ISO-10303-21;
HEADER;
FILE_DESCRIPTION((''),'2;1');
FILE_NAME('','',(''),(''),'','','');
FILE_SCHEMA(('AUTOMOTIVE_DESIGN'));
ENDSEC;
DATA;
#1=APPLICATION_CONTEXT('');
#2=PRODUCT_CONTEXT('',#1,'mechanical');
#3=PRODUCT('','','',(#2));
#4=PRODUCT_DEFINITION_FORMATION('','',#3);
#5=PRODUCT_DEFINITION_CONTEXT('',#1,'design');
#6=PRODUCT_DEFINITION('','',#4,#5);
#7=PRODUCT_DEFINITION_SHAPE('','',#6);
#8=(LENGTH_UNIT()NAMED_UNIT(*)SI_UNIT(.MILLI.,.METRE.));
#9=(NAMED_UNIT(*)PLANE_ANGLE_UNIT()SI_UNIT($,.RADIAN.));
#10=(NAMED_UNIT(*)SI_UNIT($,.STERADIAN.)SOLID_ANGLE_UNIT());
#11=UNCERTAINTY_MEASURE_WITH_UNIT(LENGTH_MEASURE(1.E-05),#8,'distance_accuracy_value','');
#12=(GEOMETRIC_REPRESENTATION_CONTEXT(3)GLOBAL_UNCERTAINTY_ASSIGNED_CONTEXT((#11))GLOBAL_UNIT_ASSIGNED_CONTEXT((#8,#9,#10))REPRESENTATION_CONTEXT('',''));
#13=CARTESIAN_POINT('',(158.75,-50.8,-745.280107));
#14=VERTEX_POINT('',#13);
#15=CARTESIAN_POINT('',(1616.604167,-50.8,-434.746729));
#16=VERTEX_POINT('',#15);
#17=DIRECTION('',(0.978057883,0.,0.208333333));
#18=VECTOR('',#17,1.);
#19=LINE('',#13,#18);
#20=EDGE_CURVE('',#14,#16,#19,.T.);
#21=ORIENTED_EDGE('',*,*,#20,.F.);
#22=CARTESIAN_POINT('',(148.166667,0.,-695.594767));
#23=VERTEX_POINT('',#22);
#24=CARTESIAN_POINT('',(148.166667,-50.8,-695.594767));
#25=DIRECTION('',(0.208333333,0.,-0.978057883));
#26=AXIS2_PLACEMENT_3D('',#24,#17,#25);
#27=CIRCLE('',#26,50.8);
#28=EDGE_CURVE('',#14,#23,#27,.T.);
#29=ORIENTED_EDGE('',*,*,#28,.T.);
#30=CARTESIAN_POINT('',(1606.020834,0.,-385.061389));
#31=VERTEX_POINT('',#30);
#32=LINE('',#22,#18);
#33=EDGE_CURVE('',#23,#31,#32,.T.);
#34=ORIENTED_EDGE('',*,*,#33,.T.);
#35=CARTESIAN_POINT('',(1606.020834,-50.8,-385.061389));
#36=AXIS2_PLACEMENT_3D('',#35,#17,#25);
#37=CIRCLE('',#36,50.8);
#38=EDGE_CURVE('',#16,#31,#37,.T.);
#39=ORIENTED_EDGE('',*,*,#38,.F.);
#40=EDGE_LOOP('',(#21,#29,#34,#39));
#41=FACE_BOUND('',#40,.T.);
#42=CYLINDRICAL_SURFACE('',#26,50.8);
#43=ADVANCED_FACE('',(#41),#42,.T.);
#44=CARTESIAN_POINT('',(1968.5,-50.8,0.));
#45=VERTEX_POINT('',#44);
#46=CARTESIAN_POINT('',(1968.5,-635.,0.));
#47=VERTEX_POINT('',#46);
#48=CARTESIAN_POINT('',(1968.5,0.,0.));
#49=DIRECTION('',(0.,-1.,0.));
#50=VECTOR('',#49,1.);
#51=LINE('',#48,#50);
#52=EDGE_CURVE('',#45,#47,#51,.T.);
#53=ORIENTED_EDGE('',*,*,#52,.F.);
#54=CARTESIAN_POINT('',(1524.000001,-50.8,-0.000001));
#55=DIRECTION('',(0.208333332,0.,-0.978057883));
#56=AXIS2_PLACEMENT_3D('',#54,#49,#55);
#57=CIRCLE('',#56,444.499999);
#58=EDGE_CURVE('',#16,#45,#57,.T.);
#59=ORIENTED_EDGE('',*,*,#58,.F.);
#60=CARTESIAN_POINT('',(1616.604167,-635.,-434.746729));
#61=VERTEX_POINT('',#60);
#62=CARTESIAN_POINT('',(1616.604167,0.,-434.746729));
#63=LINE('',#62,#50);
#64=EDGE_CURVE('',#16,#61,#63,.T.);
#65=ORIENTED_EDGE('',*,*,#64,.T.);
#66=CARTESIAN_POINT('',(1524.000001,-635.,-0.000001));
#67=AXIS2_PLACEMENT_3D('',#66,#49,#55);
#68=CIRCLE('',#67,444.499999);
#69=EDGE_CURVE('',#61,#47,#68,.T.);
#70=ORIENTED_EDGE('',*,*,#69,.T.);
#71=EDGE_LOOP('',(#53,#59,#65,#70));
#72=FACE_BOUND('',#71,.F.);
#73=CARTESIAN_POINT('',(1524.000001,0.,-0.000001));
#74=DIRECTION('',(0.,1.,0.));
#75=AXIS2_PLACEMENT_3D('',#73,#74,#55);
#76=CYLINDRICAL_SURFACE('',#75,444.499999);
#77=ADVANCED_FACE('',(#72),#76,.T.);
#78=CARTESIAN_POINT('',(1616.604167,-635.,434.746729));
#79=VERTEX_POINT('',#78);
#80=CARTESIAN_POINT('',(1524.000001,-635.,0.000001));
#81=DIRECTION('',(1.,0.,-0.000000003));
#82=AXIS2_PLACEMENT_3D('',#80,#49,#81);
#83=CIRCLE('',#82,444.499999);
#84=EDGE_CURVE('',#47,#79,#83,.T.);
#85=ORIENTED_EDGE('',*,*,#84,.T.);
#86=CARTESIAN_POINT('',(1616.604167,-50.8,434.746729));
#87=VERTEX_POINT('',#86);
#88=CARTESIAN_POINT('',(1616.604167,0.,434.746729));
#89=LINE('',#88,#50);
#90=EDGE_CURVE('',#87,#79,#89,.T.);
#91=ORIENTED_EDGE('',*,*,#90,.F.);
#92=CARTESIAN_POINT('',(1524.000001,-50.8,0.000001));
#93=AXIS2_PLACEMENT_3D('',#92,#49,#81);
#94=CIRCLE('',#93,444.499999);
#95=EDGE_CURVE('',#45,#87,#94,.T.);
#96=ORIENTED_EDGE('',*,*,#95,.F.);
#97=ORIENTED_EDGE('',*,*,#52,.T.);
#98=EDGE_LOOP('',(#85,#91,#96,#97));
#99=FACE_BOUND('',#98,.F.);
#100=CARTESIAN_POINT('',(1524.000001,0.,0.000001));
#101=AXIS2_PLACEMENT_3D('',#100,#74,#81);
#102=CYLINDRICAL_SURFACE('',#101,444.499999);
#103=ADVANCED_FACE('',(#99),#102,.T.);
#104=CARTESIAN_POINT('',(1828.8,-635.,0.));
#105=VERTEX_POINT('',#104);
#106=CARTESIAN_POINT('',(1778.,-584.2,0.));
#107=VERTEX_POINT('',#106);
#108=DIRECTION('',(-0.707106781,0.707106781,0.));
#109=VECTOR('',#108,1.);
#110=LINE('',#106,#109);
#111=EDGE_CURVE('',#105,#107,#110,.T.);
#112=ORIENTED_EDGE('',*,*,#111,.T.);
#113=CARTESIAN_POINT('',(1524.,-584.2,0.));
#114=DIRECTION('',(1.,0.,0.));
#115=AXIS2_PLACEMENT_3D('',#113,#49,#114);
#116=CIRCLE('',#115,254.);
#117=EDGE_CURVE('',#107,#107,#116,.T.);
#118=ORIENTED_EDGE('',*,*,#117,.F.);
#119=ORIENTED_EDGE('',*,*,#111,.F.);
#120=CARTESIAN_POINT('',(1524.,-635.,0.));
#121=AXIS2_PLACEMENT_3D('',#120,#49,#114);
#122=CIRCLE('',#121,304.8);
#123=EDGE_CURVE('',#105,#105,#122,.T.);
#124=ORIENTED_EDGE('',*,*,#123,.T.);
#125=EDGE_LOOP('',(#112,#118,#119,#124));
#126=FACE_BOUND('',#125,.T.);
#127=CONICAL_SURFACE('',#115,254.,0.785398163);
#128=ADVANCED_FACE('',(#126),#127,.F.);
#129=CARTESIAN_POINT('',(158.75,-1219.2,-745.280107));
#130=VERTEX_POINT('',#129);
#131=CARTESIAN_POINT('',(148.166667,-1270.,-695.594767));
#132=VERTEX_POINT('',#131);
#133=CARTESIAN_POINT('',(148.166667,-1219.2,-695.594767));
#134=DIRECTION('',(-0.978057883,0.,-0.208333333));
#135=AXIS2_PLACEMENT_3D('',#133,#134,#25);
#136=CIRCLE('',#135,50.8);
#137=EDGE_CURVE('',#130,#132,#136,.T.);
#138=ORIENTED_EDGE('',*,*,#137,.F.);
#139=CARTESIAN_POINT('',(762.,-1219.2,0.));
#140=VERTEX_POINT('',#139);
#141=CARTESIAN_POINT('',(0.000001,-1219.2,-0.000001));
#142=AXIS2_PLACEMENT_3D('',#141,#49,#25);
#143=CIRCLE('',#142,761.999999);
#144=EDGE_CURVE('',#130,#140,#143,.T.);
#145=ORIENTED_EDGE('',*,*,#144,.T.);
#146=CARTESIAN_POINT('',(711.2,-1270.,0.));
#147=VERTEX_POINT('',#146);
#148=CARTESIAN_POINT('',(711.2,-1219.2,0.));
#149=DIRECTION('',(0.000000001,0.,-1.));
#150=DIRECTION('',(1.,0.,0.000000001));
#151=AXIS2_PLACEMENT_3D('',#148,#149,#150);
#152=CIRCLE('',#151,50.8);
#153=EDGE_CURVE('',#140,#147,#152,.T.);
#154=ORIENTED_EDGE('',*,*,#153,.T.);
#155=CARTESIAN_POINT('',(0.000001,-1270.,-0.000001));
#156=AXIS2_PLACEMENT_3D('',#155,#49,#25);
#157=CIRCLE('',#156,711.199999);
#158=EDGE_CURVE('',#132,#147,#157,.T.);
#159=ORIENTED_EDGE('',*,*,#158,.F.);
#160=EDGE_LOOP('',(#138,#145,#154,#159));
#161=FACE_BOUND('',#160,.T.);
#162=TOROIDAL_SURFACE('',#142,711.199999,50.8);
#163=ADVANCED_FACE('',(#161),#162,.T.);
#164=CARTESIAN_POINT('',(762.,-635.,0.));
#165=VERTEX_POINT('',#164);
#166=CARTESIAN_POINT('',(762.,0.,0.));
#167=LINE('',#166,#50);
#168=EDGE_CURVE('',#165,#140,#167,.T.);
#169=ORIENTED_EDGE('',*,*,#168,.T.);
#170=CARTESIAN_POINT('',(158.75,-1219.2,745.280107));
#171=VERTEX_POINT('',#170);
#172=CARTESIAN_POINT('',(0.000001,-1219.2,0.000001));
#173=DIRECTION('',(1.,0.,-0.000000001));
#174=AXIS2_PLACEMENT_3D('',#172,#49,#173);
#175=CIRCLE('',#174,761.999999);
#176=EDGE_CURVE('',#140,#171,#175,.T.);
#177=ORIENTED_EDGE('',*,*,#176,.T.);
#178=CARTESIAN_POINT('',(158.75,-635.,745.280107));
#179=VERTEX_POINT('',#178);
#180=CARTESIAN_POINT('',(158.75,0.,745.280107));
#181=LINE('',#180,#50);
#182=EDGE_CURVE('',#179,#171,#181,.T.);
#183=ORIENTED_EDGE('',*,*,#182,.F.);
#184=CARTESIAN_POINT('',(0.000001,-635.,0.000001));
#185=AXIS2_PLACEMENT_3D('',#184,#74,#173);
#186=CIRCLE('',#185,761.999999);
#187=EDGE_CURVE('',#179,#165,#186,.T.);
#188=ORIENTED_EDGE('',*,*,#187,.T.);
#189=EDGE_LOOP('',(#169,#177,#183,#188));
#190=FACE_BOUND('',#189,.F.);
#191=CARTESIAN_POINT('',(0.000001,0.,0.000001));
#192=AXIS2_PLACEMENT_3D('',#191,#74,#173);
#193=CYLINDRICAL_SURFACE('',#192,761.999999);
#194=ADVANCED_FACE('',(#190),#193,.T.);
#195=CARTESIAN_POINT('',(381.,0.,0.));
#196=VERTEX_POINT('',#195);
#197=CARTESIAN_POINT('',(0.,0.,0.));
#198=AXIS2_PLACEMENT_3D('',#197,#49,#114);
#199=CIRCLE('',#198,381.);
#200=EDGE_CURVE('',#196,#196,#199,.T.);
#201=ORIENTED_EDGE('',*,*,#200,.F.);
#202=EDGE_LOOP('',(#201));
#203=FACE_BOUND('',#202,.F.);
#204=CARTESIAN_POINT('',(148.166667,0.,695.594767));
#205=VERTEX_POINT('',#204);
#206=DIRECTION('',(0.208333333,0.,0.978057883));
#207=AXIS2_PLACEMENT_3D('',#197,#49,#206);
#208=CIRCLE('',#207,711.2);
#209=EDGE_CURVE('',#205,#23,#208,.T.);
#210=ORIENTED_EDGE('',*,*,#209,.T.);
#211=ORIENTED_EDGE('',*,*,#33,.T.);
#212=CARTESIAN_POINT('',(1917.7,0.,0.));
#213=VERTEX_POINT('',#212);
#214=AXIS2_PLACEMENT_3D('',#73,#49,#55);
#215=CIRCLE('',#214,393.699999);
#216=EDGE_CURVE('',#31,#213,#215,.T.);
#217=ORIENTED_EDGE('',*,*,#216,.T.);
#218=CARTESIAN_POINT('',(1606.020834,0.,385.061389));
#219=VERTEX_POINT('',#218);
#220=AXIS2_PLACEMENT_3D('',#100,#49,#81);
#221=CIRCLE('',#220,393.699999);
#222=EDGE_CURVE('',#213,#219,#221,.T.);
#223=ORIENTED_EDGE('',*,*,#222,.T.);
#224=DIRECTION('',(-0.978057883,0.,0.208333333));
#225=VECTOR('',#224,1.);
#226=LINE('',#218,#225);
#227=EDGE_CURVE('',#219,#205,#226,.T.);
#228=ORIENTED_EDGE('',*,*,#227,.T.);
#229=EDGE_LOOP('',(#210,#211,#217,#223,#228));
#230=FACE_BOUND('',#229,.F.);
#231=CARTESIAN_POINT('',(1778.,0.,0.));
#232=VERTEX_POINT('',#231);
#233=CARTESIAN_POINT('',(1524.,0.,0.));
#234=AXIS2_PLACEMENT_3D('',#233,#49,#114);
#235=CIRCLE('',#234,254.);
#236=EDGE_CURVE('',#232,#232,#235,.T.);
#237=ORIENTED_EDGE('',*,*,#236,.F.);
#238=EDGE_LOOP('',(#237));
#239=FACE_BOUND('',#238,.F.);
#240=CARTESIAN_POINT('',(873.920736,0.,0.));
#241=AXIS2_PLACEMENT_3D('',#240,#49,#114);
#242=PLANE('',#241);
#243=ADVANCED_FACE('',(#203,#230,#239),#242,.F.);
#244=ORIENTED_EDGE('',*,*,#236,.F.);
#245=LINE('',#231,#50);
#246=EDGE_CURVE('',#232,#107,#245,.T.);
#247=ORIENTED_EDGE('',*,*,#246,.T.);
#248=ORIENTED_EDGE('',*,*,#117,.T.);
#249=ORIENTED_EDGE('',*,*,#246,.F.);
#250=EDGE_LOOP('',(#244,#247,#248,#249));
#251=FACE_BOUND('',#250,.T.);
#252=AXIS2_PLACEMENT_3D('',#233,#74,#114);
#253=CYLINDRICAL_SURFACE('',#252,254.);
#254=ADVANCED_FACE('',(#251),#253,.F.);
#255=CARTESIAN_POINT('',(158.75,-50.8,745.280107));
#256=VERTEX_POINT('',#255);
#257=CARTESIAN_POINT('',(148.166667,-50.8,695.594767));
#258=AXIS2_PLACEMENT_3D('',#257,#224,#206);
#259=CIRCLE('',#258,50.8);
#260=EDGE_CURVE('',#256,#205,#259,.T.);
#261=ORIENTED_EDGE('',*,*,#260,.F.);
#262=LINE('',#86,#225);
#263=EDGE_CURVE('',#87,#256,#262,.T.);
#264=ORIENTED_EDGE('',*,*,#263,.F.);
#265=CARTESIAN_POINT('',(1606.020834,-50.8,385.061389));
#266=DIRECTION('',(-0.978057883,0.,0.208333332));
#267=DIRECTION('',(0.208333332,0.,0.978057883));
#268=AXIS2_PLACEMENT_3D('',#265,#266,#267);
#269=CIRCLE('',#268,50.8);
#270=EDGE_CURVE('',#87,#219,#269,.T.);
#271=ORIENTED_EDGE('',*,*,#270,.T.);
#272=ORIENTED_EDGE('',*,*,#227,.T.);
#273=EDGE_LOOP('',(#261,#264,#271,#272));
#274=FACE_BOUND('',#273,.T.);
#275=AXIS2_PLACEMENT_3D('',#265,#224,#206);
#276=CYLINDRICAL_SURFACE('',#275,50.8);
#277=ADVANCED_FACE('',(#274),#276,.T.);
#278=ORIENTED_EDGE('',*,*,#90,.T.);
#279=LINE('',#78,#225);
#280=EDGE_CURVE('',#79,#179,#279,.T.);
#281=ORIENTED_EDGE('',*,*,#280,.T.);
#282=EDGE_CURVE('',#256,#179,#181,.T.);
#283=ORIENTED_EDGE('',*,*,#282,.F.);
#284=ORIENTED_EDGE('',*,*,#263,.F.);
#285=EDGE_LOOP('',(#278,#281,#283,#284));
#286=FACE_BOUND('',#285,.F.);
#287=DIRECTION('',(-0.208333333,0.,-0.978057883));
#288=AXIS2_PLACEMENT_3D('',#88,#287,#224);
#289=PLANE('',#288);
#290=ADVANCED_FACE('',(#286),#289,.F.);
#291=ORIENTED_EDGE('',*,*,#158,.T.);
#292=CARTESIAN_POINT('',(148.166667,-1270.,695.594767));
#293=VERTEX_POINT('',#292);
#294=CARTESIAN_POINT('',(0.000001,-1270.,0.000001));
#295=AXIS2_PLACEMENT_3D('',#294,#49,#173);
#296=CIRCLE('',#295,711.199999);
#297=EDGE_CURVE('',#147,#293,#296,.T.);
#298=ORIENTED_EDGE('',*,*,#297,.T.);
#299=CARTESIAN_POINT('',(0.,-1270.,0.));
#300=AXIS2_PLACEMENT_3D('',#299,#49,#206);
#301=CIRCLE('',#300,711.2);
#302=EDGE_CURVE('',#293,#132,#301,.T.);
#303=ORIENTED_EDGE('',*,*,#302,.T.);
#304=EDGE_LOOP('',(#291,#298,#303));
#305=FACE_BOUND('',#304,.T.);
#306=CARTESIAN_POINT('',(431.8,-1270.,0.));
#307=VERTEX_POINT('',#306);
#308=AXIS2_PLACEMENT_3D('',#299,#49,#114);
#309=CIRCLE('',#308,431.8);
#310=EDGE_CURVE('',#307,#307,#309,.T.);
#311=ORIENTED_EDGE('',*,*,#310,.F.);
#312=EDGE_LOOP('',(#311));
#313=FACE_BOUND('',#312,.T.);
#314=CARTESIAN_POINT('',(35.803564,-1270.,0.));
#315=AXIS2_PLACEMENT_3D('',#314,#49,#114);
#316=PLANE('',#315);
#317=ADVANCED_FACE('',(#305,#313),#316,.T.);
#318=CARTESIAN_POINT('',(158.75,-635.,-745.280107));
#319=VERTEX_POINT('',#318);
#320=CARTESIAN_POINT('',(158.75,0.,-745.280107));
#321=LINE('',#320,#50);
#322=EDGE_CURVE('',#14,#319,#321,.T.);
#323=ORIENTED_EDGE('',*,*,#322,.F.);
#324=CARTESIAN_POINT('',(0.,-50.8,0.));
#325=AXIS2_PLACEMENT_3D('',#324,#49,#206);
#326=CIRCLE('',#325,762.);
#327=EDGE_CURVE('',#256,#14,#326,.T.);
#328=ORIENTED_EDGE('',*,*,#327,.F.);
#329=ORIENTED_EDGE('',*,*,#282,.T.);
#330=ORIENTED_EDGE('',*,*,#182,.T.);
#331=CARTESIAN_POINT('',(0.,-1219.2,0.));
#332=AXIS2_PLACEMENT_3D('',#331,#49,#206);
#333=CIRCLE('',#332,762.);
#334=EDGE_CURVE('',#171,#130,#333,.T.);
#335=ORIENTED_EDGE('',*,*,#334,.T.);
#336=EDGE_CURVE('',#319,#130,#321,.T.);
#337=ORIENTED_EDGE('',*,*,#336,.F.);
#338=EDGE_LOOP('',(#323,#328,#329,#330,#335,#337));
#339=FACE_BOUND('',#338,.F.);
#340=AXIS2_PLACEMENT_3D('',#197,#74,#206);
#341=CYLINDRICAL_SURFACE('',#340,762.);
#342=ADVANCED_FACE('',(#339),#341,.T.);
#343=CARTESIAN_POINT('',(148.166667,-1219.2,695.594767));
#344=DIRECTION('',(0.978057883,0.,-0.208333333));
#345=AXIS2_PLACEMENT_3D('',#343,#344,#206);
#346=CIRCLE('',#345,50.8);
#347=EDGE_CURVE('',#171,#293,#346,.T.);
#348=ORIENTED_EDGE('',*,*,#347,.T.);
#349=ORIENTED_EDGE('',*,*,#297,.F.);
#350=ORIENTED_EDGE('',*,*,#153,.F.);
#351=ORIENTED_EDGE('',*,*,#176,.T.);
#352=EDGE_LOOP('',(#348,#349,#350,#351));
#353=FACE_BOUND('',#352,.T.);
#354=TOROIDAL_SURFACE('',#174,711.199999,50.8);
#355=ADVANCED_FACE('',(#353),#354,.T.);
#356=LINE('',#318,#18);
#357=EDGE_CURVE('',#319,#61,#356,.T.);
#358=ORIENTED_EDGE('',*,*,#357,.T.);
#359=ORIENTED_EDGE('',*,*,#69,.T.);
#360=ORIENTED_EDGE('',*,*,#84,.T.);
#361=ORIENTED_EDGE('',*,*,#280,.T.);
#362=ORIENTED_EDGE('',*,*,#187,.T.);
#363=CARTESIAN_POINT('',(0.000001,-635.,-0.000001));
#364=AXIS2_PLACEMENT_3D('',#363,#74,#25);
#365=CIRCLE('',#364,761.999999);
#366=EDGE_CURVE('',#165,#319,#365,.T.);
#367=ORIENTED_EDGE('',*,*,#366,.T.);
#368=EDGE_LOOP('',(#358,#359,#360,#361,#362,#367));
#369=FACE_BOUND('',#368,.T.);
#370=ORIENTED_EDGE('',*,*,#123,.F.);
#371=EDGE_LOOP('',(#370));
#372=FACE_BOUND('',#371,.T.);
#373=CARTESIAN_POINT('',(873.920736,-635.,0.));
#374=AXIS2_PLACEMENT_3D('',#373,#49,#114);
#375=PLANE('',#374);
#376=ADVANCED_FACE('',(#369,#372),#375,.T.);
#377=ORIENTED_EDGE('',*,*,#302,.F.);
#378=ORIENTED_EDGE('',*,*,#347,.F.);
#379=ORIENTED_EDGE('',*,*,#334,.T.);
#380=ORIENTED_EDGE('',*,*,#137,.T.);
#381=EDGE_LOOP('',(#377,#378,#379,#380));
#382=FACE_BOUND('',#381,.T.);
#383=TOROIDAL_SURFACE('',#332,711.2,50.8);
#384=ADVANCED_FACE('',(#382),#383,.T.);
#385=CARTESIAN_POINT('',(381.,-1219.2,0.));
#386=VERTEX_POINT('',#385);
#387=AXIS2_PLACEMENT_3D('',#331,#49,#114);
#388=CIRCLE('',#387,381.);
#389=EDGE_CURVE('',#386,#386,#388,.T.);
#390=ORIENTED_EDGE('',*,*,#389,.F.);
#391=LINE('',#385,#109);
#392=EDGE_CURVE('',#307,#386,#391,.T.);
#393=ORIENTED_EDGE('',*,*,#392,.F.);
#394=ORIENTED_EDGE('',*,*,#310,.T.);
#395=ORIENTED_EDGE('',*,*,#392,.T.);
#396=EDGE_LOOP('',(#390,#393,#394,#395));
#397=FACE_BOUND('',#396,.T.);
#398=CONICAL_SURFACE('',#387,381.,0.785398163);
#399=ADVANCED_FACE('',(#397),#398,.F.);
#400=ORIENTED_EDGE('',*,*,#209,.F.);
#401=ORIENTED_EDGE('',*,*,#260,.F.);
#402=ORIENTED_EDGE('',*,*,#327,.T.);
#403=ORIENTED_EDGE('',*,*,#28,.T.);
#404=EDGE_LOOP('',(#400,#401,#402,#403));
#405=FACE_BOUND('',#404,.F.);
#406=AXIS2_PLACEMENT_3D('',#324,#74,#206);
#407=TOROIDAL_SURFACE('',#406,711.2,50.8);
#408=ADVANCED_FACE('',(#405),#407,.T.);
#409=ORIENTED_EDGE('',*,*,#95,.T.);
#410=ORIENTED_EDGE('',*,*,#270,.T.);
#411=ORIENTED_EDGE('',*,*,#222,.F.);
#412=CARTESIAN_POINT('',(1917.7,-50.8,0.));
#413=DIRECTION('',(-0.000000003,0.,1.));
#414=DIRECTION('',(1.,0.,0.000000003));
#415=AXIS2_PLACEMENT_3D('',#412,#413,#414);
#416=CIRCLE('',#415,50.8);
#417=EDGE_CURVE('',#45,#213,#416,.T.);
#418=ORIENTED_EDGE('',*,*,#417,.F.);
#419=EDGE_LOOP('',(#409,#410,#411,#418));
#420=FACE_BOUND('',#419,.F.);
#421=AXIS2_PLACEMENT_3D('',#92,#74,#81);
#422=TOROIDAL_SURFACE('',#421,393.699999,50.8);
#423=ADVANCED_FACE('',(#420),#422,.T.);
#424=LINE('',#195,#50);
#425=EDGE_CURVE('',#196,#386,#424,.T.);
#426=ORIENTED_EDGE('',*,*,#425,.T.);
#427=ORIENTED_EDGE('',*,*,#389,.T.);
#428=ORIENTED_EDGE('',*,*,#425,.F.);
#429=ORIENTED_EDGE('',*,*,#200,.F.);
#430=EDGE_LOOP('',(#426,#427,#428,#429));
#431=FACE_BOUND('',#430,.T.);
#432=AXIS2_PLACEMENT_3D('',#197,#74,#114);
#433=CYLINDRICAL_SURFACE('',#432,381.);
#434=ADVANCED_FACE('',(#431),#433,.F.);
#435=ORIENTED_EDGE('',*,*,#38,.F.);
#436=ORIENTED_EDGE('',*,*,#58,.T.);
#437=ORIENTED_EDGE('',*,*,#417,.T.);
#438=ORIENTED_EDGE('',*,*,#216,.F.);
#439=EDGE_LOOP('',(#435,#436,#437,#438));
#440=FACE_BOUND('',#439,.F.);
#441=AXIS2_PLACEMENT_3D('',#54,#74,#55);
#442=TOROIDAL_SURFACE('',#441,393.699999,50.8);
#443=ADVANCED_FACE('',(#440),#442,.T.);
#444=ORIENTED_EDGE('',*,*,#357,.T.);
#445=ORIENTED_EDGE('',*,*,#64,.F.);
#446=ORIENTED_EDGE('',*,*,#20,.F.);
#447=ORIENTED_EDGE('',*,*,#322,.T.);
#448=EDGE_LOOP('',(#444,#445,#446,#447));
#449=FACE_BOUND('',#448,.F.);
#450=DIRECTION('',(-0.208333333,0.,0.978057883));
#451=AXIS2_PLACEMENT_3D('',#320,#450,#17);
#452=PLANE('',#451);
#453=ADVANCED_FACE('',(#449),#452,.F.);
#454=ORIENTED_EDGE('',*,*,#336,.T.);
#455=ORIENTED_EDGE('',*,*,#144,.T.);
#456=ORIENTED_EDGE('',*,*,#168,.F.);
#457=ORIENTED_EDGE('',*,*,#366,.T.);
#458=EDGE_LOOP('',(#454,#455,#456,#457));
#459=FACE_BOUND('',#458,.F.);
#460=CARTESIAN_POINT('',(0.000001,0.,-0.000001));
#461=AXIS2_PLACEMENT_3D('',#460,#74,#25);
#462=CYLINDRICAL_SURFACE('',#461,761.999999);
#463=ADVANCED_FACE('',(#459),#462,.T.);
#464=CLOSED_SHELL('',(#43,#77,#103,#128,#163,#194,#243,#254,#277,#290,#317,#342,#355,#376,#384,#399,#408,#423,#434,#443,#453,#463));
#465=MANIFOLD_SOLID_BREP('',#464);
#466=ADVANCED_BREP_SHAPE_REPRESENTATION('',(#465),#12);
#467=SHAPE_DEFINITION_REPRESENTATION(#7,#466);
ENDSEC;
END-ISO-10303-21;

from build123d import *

# Parameters (mm, degrees)
F0_R     = 381
F0_R_2   = 254
F1_DEPTH = 635
F2_DEPTH = 1270
F3_R     = 50.8
F4_SIZE  = 50.8


with BuildPart() as f1:
    # F0 (on Front) → F1 (new body)
    with BuildSketch(Plane.XZ):
        with BuildLine():
            ThreePointArc((158.75, 745.280107), (592.28857, 479.414487), (762, 0))
            ThreePointArc((762, 0), (592.28857, -479.414487), (158.75, -745.280107))
            Line((158.75, -745.280107), (1616.604167, -434.746729))
            ThreePointArc((1616.604167, -434.746729), (1079.5, 0), (1616.604167, 434.746729))
            Line((1616.604167, 434.746729), (158.75, 745.280107))
        make_face()
        with BuildLine():
            ThreePointArc((158.75, -745.280107), (592.28857, -479.414487), (762, 0))
            ThreePointArc((762, 0), (592.28857, 479.414487), (158.75, 745.280107))
            ThreePointArc((158.75, 745.280107), (-762, 0), (158.75, -745.280107))
        make_face()
        Circle(F0_R, mode=Mode.SUBTRACT)
        with BuildLine():
            ThreePointArc((1968.5, 0), (1869.501666, 279.658451), (1616.604167, 434.746729))
            ThreePointArc((1616.604167, 434.746729), (1079.5, 0), (1616.604167, -434.746729))
            ThreePointArc((1616.604167, -434.746729), (1869.501666, -279.658451), (1968.5, 0))
        make_face()
        with Locations((1524, 0)):
            Circle(F0_R_2, mode=Mode.SUBTRACT)
    extrude(amount=F1_DEPTH)

    # F0 (on Front) → F2 (join)
    with BuildSketch(Plane.XZ):
        with BuildLine():
            ThreePointArc((158.75, -745.280107), (592.28857, -479.414487), (762, 0))
            ThreePointArc((762, 0), (592.28857, 479.414487), (158.75, 745.280107))
            ThreePointArc((158.75, 745.280107), (-762, 0), (158.75, -745.280107))
        make_face()
        Circle(F0_R, mode=Mode.SUBTRACT)
    extrude(amount=F2_DEPTH)

    # F3
    f3_edges = [f1.edges().sort_by_distance(p)[0] for p in [
        (-158.75, -1270, 745.280107),
        (-762, 0, 0),
        (887.677083, 0, 590.013418),
        (1968.5, 0, 0),
        (887.677083, 0, -590.013418),
    ]]
    fillet(f3_edges, radius=F3_R)

    # F4
    f4_edges = [f1.edges().sort_by_distance(p)[0] for p in [
        (-381, -1270, 0),
        (1270, -635, 0),
    ]]
    chamfer(f4_edges, length=F4_SIZE)


solid = f1.part
